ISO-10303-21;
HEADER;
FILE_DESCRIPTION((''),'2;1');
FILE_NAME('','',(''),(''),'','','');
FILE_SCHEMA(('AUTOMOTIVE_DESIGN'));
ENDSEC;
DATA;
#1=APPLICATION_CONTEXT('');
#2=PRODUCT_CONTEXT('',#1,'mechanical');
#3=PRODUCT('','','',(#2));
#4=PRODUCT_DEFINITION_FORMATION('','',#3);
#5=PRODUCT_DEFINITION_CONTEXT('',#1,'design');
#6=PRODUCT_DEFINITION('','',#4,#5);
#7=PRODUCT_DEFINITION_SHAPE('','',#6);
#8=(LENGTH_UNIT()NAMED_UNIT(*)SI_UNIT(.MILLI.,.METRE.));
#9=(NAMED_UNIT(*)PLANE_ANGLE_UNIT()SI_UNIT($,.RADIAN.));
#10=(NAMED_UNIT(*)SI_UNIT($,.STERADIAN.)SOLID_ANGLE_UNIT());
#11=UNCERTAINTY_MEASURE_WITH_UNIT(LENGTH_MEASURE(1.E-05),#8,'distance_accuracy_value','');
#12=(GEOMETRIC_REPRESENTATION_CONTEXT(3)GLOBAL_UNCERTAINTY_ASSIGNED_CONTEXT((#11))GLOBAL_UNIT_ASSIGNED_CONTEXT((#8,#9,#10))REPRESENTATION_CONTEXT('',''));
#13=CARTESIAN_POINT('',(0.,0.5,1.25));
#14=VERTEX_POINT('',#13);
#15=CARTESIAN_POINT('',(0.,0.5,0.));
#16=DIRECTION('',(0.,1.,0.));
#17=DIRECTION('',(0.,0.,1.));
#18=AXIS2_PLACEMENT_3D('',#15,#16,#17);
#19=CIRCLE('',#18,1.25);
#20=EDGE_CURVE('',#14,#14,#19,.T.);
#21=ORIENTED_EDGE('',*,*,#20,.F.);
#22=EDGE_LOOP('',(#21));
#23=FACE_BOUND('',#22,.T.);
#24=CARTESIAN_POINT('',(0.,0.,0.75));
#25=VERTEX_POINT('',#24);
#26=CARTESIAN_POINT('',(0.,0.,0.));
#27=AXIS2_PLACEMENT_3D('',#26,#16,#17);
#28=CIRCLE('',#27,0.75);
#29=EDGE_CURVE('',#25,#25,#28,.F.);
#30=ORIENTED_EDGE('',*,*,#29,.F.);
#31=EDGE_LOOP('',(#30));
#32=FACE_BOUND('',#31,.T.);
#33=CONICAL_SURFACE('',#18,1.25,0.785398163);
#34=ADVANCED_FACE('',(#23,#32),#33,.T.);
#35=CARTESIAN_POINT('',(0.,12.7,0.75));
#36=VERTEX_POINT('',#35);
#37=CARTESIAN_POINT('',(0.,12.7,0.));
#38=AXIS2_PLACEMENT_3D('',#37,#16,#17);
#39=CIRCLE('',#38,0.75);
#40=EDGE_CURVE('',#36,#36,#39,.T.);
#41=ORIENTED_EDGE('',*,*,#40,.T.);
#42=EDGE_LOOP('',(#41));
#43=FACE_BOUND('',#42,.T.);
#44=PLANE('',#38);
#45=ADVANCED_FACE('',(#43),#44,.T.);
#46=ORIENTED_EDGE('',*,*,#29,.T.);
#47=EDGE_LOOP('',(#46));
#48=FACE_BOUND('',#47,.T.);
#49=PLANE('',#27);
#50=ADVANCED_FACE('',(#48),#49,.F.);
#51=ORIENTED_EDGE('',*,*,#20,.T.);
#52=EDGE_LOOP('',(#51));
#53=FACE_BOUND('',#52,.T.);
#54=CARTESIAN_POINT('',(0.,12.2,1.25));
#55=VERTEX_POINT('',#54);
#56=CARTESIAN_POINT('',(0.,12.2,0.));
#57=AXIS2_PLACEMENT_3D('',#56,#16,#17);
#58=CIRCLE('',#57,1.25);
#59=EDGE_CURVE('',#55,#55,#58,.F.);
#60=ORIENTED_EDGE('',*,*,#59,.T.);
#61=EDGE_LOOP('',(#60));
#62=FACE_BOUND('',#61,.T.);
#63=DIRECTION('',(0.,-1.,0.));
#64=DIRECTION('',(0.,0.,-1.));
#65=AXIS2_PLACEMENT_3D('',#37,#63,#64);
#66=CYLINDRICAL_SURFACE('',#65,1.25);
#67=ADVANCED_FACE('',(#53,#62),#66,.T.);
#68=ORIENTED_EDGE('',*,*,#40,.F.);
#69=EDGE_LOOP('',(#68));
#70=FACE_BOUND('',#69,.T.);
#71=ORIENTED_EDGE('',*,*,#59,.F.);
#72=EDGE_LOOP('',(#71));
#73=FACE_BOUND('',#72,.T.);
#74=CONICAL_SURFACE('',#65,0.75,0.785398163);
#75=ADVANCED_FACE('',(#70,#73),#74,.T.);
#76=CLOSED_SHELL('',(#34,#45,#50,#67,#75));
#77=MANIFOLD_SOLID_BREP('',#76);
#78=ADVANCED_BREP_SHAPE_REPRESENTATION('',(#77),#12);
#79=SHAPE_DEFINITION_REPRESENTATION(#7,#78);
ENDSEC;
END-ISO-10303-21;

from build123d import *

# Parameters (mm, degrees)
SKETCH1_R           = 1.25
BOSS_EXTRUDE1_DEPTH = 12.7
CHAMFER1_SIZE       = 0.5


with BuildPart() as part:
    # Sketch1 → Boss-Extrude1 (new body)
    with BuildSketch(Plane(origin=(0, 0, 0), x_dir=(1, 0, 0), z_dir=(0, 1, 0))):
        Circle(SKETCH1_R)
    extrude(amount=BOSS_EXTRUDE1_DEPTH)

    # Chamfer1
    chamfer1_edges = [part.edges().sort_by_distance(p)[0] for p in [
        (-1.25, 0, 0),
        (-1.25, 12.7, 0),
    ]]
    chamfer(chamfer1_edges, length=CHAMFER1_SIZE)


solid = part.part
